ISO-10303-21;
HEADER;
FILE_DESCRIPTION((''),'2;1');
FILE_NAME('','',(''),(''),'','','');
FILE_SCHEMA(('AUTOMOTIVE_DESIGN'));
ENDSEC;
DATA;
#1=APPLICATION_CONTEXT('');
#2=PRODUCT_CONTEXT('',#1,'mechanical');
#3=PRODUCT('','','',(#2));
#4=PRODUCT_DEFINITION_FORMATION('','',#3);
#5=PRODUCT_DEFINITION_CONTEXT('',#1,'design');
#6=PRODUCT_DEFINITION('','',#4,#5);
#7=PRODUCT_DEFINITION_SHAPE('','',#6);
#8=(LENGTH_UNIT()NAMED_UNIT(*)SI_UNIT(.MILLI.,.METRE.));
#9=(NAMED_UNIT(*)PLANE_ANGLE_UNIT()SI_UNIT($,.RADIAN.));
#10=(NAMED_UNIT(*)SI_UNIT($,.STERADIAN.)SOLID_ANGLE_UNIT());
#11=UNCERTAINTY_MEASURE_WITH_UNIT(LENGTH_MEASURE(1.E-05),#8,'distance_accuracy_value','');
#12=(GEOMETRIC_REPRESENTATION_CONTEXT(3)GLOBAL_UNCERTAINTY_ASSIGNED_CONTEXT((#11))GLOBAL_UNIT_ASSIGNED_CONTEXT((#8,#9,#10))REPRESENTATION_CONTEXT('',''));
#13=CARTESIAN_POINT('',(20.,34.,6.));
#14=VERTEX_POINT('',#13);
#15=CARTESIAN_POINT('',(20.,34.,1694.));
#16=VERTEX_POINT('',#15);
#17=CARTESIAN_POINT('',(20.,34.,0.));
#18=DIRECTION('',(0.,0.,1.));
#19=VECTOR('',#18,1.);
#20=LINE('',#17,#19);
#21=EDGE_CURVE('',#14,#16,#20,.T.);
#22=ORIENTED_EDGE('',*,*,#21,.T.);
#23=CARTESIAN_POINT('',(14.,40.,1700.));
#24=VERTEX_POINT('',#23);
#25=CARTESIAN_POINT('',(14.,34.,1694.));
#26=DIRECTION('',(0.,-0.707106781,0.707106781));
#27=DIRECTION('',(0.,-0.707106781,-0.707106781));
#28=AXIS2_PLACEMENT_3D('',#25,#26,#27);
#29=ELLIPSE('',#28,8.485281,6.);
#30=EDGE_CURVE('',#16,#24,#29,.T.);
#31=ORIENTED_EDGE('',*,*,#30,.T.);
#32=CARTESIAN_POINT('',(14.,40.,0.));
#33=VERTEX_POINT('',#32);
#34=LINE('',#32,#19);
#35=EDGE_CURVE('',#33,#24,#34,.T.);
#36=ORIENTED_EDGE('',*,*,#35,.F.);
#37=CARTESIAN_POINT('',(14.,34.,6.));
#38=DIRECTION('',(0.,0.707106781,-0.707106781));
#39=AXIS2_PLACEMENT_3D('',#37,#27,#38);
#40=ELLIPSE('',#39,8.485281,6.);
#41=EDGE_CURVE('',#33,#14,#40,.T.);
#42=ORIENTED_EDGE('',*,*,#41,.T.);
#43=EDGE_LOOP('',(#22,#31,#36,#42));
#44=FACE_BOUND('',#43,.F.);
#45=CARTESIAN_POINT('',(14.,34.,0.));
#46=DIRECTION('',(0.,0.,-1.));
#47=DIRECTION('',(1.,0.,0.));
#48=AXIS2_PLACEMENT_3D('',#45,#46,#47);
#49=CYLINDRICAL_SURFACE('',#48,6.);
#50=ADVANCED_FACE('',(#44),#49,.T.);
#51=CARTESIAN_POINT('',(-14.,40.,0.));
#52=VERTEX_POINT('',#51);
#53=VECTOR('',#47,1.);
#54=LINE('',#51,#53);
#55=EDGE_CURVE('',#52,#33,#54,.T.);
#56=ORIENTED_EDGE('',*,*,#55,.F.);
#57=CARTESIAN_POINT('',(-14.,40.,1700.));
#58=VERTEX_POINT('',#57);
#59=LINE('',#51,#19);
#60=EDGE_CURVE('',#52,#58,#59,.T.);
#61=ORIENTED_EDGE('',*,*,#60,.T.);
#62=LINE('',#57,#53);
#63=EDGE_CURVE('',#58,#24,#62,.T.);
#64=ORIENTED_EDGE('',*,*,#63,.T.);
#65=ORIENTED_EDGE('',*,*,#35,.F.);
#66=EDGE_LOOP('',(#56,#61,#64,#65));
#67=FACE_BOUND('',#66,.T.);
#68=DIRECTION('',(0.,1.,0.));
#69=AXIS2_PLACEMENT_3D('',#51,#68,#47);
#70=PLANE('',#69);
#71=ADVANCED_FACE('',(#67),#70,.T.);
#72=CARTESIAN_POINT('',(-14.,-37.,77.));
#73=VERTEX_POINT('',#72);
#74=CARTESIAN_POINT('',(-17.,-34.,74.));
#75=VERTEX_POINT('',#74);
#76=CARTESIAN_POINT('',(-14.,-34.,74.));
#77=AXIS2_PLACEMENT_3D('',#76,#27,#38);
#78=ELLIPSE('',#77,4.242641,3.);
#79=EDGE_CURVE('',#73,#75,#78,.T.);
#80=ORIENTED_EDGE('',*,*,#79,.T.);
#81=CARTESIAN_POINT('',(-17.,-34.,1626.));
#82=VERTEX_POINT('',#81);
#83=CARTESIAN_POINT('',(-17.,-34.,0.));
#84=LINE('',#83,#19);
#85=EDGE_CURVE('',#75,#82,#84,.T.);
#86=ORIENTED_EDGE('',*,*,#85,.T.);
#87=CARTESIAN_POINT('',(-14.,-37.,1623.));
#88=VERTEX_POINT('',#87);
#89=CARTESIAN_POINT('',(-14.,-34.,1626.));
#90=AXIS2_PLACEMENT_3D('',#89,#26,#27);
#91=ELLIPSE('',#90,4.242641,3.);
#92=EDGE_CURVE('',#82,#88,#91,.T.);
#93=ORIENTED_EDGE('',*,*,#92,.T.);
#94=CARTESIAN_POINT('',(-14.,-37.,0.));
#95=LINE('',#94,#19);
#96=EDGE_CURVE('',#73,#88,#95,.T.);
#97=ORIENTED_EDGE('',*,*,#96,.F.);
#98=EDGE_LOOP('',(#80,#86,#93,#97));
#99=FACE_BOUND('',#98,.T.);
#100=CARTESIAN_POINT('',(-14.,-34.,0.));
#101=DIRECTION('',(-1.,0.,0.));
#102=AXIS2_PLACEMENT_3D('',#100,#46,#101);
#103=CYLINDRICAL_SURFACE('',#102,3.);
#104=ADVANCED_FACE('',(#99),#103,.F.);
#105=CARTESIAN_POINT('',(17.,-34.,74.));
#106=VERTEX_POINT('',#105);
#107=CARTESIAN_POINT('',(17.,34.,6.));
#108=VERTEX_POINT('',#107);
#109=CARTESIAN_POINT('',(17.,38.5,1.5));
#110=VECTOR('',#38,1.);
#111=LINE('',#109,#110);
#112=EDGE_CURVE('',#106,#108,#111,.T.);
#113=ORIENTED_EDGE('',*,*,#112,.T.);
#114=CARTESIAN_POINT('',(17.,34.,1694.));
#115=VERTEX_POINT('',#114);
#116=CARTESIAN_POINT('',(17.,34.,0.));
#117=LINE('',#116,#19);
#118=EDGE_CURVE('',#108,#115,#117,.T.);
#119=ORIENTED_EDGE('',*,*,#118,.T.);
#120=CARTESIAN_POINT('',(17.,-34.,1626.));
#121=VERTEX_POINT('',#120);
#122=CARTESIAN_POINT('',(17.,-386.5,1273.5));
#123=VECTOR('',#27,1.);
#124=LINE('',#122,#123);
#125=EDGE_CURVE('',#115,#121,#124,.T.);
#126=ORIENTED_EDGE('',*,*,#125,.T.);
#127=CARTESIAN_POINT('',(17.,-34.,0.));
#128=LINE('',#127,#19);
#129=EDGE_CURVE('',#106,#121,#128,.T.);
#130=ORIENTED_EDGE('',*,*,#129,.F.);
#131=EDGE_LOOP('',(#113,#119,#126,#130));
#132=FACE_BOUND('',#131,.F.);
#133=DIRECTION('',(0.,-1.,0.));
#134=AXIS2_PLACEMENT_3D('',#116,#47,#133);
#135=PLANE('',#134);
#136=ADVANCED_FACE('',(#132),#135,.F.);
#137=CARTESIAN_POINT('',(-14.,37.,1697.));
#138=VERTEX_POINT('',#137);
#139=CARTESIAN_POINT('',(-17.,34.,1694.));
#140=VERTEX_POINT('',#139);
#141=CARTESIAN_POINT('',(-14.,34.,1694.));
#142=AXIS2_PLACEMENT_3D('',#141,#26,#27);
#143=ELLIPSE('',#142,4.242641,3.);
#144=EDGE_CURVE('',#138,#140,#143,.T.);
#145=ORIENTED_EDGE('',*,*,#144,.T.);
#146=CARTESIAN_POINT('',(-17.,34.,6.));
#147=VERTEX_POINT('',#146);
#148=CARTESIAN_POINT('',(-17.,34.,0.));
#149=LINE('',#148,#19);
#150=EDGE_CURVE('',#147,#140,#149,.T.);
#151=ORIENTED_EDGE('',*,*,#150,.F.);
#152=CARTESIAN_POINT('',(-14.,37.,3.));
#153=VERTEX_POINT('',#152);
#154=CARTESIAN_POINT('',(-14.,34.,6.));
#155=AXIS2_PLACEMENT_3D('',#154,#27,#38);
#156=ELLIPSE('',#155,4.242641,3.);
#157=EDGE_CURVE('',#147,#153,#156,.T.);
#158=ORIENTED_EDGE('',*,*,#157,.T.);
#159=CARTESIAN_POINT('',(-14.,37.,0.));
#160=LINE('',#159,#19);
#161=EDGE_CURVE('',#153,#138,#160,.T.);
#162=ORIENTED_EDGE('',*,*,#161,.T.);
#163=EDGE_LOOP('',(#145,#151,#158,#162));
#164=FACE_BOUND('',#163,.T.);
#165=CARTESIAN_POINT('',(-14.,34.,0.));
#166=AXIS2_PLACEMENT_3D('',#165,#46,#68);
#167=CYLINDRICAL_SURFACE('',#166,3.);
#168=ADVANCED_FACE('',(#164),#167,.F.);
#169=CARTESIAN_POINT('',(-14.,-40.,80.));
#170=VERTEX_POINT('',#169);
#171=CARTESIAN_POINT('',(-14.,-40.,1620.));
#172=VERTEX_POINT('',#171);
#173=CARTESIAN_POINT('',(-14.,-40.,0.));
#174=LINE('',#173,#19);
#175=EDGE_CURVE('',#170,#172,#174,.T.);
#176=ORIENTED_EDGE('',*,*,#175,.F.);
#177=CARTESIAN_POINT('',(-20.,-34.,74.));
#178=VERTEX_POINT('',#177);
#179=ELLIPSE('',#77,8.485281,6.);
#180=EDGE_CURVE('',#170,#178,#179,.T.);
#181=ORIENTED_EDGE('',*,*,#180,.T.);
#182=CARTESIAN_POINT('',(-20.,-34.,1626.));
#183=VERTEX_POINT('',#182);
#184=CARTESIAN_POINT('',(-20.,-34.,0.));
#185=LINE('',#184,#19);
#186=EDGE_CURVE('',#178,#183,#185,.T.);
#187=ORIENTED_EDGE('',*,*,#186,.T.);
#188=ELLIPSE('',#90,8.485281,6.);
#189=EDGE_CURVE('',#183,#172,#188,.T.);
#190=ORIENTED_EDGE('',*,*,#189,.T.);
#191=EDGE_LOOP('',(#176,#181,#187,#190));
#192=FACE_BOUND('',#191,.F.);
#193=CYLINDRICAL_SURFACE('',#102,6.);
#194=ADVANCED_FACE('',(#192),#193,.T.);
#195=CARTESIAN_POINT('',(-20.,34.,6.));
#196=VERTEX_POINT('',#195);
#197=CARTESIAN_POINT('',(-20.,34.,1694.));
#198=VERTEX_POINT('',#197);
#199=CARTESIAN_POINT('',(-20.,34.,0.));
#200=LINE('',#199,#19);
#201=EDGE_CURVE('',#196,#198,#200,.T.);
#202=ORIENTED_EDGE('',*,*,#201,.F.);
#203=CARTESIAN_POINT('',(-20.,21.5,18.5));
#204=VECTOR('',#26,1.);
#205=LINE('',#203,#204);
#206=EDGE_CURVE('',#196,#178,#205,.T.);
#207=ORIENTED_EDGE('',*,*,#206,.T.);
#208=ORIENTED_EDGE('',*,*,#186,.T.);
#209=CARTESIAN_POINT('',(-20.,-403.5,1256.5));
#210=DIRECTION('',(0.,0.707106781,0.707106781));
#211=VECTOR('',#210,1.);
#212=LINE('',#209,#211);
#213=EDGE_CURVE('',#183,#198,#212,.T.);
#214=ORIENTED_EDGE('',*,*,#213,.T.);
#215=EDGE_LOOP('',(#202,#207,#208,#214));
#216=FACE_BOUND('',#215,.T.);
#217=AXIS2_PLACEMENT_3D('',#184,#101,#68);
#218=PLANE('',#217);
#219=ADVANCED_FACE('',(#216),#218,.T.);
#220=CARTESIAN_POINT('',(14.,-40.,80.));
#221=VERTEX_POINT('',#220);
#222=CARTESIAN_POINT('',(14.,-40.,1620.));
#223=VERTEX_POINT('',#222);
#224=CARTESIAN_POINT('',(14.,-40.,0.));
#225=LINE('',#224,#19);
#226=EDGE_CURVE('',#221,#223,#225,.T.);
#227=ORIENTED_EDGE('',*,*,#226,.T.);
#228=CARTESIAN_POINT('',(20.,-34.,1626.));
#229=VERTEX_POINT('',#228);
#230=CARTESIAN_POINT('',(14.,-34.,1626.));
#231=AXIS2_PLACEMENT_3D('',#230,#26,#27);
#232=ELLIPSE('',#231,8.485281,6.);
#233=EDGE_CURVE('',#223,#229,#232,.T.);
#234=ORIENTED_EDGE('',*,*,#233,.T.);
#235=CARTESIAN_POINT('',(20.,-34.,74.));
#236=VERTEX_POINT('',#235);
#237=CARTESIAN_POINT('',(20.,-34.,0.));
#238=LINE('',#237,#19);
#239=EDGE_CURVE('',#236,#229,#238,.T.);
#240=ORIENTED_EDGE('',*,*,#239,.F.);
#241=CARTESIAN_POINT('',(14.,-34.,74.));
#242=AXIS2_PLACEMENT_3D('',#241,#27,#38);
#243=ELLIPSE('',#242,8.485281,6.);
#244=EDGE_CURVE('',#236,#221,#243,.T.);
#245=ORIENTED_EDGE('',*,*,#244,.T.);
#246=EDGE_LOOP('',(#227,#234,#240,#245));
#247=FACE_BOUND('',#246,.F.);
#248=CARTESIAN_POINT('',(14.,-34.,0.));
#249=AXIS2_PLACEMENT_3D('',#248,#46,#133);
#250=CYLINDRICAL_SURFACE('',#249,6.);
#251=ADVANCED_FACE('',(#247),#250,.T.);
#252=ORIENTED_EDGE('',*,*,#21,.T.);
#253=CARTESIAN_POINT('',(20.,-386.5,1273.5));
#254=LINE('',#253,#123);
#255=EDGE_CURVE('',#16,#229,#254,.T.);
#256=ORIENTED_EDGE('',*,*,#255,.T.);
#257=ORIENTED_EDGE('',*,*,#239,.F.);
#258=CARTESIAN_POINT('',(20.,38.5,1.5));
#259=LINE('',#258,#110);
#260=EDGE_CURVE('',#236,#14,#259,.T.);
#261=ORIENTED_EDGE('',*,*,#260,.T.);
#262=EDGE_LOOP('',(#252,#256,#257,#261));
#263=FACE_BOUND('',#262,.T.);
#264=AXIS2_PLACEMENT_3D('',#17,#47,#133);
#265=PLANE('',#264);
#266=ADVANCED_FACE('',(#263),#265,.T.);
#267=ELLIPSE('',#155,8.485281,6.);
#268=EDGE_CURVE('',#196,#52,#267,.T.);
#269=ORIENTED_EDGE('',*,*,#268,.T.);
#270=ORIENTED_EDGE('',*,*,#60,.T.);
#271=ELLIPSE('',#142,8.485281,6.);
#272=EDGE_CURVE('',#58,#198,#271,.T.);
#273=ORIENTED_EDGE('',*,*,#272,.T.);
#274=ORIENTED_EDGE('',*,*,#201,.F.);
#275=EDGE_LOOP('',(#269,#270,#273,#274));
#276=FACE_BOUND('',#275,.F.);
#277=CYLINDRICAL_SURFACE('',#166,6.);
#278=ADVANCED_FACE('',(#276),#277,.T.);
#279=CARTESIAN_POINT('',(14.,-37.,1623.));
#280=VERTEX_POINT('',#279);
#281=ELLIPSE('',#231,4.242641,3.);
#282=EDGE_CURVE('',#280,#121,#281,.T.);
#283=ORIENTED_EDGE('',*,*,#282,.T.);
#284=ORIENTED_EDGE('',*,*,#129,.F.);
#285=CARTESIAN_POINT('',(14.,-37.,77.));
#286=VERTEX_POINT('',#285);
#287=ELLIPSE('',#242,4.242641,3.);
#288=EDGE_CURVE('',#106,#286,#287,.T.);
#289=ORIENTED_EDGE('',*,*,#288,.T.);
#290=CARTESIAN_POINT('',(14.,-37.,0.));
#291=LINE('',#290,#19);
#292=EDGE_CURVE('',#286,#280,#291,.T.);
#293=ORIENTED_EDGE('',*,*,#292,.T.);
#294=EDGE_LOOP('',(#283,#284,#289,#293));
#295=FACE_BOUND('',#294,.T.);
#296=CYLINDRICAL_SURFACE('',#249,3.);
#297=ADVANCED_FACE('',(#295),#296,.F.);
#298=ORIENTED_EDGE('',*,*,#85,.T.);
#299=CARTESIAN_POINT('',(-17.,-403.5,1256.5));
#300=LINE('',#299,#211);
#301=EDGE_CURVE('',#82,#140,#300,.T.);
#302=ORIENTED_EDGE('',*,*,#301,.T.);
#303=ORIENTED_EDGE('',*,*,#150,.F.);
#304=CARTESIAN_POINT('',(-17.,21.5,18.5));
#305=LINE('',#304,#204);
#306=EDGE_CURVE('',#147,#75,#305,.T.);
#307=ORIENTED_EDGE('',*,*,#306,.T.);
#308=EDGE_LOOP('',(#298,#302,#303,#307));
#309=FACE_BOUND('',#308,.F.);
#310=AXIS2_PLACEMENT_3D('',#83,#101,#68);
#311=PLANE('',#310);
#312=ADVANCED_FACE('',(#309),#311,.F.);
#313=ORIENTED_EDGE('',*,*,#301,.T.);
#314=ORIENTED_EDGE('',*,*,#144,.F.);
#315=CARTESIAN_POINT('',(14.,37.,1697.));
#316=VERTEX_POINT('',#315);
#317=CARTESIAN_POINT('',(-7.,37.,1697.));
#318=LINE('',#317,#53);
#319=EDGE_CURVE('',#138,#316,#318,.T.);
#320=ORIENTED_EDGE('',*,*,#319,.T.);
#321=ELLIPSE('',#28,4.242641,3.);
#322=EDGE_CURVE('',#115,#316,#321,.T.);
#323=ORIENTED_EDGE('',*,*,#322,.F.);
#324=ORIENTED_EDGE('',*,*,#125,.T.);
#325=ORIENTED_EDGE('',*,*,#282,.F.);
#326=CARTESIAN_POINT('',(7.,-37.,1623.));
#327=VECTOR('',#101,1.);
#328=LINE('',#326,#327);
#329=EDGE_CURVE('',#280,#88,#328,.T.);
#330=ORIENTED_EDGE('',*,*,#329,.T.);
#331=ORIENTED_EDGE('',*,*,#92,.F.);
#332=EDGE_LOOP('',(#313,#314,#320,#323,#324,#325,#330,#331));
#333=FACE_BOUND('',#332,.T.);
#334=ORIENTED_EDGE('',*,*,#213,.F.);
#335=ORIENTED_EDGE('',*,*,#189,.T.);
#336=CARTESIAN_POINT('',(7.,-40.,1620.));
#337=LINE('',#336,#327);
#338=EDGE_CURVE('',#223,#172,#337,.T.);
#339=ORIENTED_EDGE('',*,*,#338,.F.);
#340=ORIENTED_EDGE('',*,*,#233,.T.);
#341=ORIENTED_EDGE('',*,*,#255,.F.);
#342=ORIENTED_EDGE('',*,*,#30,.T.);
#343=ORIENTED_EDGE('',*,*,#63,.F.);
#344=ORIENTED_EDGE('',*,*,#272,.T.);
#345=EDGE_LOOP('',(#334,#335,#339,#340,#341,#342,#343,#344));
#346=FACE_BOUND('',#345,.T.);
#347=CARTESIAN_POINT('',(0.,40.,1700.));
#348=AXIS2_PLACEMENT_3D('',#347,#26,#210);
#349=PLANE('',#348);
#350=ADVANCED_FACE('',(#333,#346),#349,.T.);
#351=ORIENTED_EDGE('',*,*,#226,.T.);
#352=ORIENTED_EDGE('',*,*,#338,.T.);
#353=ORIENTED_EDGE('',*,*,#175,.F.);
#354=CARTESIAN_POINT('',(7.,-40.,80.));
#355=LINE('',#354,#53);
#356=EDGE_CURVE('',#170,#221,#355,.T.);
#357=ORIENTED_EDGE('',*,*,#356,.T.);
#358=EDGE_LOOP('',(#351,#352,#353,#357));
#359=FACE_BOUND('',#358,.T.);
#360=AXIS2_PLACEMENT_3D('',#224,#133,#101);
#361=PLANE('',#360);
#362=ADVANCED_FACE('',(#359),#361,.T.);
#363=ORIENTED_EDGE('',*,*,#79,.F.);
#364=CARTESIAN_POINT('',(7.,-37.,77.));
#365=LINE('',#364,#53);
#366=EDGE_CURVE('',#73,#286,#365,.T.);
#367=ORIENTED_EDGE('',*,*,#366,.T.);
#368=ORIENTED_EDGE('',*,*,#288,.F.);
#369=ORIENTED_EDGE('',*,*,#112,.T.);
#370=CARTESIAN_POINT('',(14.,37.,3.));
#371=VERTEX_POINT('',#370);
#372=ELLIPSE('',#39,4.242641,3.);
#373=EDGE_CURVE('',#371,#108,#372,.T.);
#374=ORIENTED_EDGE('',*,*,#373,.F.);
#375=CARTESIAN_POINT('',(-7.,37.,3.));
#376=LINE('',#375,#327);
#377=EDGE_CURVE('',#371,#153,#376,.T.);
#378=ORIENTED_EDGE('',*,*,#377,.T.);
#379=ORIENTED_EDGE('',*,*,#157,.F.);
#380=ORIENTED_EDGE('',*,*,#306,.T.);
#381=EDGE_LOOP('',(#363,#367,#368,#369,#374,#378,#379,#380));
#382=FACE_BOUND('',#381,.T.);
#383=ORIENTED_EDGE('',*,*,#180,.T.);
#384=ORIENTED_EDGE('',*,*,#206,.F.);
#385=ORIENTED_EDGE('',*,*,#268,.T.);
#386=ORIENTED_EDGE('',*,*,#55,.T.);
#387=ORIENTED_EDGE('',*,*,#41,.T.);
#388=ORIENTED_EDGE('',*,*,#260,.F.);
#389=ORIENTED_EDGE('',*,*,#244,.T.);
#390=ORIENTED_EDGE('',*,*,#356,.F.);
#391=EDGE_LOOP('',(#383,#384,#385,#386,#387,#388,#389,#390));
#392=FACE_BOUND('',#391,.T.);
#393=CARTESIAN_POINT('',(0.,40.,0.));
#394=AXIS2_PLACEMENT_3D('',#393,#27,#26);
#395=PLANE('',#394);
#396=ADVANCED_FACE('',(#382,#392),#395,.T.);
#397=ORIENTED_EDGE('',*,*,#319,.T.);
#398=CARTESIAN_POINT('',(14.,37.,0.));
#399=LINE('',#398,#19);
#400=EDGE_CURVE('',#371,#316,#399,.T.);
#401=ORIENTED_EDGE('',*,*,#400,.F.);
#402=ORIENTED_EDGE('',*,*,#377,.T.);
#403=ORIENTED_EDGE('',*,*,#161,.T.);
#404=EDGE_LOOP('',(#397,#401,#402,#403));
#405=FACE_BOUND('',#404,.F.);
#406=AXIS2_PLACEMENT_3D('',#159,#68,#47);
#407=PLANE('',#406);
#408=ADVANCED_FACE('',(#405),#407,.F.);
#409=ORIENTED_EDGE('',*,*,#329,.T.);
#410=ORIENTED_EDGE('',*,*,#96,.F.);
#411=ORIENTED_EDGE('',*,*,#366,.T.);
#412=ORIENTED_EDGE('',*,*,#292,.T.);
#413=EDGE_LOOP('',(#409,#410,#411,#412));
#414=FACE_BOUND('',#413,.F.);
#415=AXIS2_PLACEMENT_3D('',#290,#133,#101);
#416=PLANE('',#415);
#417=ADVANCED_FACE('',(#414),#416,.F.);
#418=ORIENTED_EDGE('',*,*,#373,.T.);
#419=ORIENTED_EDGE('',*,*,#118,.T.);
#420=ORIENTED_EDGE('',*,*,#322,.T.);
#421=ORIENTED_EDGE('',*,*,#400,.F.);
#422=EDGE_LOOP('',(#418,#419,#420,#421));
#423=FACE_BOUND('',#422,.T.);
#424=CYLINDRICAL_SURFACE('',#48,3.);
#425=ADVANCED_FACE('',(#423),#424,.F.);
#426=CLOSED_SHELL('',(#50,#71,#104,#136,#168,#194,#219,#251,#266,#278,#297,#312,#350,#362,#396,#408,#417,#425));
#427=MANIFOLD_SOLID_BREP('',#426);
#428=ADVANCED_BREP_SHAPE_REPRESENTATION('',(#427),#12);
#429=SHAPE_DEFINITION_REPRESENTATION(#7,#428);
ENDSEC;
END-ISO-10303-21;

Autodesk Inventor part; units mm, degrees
ref_plane "Start Plane" through (0, 0, 0) normal (0, 0, 1) x (1, 0, 0)
ref_plane "End Plane" through (0, 0, 1700) normal (0, 0, 1) x (1, 0, 0)
sketch "Sketch" plane through (0, 0, 0) normal (0, 0, 1) x (1, 0, 0)
  line L0 (-20, -34) -> (-20, 34)
  line L1 (-14, 40) -> (14, 40)
  line L2 (20, 34) -> (20, -34)
  line L3 (14, -40) -> (-14, -40)
  arc A0 (-20, -34) -> (-14, -40) centre (-14, -34) ccw
  arc A1 (20, 34) -> (14, 40) centre (14, 34) ccw
  arc A2 (-14, 40) -> (-20, 34) centre (-14, 34) ccw
  arc A3 (14, -40) -> (20, -34) centre (14, -34) ccw
  arc A4 (-14, 37) -> (-17, 34) centre (-14, 34) ccw
  line L4 (-14, 37) -> (14, 37)
  arc A5 (17, 34) -> (14, 37) centre (14, 34) ccw
  line L5 (17, 34) -> (17, -34)
  arc A6 (14, -37) -> (17, -34) centre (14, -34) ccw
  line L6 (14, -37) -> (-14, -37)
  arc A7 (-17, -34) -> (-14, -37) centre (-14, -34) ccw
  line L7 (-17, -34) -> (-17, 34)
  line L8 (0, 57.7397) -> (0, -57.7397) construction
  line L9 (-29.7397, 0) -> (29.7397, 0) construction
  dimension "d7" = 6
  dimension "d9" = 40
  dimension "d11" = 80
  dimension "d12" = 3
  dimension "d15" = 20
  dimension "d16" = 40
extrude "Body" add sketch "Sketch" along normal up to surface (1700 mm away) from surface at 0
sketch "Sketch3" plane through (0, 0, 0) normal (0, 0, 1) x (1, 0, 0)
  line L0 (0, 0) -> (10, 0)
ref_plane "Work Plane3" through (0, 0, 0) normal (0, -1, 0) x (1, 0, 0)
ref_plane "Work Plane4" through (0, 40, 1700) normal (0, -0.7071, 0.7071) x (1, 0, 0)
split "Split1" plane through (0, 40, 1700) removes the side toward (0, -0.7071, 0.7071)
ref_plane "Work Plane5" through (0, 40, 0) normal (0, -0.7071, -0.7071) x (1, 0, 0)
split "Split2" plane through (0, 40, 0) removes the side toward (0, -0.7071, -0.7071)
sketch "Sketch4" plane through (0, 0, 0) normal (0, -1, 0) x (1, 0, 0)
  line L0 (-2, 0) -> (12, 0) projected
  line L1 (-2, 1700) -> (12, 1700) projected
  dimension "d18" = 1700
equation "\"d7\" = G_IR"
equation "\"d9\" = G_W"
equation "\"d11\" = G_H"
equation "\"d12\" = G_T"
equation "\"d15\" = 0.5 * d9"
equation "\"d16\" = 0.5 * d11"
equation "\"d3\" = G_L"
equation "\"G_W\" = 40"
equation "\"G_H\" = 80"
equation "\"G_T\" = 3"
equation "\"G_IR\" = 6"
equation "\"G_L\" = d18"
equation "\"G_OFFSET_START\" = 0"
equation "\"G_OFFSET_END\" = 0"
properties part number "ISO 10799-2 - 80x40x3 - 1700" material "Stainless Steel"
